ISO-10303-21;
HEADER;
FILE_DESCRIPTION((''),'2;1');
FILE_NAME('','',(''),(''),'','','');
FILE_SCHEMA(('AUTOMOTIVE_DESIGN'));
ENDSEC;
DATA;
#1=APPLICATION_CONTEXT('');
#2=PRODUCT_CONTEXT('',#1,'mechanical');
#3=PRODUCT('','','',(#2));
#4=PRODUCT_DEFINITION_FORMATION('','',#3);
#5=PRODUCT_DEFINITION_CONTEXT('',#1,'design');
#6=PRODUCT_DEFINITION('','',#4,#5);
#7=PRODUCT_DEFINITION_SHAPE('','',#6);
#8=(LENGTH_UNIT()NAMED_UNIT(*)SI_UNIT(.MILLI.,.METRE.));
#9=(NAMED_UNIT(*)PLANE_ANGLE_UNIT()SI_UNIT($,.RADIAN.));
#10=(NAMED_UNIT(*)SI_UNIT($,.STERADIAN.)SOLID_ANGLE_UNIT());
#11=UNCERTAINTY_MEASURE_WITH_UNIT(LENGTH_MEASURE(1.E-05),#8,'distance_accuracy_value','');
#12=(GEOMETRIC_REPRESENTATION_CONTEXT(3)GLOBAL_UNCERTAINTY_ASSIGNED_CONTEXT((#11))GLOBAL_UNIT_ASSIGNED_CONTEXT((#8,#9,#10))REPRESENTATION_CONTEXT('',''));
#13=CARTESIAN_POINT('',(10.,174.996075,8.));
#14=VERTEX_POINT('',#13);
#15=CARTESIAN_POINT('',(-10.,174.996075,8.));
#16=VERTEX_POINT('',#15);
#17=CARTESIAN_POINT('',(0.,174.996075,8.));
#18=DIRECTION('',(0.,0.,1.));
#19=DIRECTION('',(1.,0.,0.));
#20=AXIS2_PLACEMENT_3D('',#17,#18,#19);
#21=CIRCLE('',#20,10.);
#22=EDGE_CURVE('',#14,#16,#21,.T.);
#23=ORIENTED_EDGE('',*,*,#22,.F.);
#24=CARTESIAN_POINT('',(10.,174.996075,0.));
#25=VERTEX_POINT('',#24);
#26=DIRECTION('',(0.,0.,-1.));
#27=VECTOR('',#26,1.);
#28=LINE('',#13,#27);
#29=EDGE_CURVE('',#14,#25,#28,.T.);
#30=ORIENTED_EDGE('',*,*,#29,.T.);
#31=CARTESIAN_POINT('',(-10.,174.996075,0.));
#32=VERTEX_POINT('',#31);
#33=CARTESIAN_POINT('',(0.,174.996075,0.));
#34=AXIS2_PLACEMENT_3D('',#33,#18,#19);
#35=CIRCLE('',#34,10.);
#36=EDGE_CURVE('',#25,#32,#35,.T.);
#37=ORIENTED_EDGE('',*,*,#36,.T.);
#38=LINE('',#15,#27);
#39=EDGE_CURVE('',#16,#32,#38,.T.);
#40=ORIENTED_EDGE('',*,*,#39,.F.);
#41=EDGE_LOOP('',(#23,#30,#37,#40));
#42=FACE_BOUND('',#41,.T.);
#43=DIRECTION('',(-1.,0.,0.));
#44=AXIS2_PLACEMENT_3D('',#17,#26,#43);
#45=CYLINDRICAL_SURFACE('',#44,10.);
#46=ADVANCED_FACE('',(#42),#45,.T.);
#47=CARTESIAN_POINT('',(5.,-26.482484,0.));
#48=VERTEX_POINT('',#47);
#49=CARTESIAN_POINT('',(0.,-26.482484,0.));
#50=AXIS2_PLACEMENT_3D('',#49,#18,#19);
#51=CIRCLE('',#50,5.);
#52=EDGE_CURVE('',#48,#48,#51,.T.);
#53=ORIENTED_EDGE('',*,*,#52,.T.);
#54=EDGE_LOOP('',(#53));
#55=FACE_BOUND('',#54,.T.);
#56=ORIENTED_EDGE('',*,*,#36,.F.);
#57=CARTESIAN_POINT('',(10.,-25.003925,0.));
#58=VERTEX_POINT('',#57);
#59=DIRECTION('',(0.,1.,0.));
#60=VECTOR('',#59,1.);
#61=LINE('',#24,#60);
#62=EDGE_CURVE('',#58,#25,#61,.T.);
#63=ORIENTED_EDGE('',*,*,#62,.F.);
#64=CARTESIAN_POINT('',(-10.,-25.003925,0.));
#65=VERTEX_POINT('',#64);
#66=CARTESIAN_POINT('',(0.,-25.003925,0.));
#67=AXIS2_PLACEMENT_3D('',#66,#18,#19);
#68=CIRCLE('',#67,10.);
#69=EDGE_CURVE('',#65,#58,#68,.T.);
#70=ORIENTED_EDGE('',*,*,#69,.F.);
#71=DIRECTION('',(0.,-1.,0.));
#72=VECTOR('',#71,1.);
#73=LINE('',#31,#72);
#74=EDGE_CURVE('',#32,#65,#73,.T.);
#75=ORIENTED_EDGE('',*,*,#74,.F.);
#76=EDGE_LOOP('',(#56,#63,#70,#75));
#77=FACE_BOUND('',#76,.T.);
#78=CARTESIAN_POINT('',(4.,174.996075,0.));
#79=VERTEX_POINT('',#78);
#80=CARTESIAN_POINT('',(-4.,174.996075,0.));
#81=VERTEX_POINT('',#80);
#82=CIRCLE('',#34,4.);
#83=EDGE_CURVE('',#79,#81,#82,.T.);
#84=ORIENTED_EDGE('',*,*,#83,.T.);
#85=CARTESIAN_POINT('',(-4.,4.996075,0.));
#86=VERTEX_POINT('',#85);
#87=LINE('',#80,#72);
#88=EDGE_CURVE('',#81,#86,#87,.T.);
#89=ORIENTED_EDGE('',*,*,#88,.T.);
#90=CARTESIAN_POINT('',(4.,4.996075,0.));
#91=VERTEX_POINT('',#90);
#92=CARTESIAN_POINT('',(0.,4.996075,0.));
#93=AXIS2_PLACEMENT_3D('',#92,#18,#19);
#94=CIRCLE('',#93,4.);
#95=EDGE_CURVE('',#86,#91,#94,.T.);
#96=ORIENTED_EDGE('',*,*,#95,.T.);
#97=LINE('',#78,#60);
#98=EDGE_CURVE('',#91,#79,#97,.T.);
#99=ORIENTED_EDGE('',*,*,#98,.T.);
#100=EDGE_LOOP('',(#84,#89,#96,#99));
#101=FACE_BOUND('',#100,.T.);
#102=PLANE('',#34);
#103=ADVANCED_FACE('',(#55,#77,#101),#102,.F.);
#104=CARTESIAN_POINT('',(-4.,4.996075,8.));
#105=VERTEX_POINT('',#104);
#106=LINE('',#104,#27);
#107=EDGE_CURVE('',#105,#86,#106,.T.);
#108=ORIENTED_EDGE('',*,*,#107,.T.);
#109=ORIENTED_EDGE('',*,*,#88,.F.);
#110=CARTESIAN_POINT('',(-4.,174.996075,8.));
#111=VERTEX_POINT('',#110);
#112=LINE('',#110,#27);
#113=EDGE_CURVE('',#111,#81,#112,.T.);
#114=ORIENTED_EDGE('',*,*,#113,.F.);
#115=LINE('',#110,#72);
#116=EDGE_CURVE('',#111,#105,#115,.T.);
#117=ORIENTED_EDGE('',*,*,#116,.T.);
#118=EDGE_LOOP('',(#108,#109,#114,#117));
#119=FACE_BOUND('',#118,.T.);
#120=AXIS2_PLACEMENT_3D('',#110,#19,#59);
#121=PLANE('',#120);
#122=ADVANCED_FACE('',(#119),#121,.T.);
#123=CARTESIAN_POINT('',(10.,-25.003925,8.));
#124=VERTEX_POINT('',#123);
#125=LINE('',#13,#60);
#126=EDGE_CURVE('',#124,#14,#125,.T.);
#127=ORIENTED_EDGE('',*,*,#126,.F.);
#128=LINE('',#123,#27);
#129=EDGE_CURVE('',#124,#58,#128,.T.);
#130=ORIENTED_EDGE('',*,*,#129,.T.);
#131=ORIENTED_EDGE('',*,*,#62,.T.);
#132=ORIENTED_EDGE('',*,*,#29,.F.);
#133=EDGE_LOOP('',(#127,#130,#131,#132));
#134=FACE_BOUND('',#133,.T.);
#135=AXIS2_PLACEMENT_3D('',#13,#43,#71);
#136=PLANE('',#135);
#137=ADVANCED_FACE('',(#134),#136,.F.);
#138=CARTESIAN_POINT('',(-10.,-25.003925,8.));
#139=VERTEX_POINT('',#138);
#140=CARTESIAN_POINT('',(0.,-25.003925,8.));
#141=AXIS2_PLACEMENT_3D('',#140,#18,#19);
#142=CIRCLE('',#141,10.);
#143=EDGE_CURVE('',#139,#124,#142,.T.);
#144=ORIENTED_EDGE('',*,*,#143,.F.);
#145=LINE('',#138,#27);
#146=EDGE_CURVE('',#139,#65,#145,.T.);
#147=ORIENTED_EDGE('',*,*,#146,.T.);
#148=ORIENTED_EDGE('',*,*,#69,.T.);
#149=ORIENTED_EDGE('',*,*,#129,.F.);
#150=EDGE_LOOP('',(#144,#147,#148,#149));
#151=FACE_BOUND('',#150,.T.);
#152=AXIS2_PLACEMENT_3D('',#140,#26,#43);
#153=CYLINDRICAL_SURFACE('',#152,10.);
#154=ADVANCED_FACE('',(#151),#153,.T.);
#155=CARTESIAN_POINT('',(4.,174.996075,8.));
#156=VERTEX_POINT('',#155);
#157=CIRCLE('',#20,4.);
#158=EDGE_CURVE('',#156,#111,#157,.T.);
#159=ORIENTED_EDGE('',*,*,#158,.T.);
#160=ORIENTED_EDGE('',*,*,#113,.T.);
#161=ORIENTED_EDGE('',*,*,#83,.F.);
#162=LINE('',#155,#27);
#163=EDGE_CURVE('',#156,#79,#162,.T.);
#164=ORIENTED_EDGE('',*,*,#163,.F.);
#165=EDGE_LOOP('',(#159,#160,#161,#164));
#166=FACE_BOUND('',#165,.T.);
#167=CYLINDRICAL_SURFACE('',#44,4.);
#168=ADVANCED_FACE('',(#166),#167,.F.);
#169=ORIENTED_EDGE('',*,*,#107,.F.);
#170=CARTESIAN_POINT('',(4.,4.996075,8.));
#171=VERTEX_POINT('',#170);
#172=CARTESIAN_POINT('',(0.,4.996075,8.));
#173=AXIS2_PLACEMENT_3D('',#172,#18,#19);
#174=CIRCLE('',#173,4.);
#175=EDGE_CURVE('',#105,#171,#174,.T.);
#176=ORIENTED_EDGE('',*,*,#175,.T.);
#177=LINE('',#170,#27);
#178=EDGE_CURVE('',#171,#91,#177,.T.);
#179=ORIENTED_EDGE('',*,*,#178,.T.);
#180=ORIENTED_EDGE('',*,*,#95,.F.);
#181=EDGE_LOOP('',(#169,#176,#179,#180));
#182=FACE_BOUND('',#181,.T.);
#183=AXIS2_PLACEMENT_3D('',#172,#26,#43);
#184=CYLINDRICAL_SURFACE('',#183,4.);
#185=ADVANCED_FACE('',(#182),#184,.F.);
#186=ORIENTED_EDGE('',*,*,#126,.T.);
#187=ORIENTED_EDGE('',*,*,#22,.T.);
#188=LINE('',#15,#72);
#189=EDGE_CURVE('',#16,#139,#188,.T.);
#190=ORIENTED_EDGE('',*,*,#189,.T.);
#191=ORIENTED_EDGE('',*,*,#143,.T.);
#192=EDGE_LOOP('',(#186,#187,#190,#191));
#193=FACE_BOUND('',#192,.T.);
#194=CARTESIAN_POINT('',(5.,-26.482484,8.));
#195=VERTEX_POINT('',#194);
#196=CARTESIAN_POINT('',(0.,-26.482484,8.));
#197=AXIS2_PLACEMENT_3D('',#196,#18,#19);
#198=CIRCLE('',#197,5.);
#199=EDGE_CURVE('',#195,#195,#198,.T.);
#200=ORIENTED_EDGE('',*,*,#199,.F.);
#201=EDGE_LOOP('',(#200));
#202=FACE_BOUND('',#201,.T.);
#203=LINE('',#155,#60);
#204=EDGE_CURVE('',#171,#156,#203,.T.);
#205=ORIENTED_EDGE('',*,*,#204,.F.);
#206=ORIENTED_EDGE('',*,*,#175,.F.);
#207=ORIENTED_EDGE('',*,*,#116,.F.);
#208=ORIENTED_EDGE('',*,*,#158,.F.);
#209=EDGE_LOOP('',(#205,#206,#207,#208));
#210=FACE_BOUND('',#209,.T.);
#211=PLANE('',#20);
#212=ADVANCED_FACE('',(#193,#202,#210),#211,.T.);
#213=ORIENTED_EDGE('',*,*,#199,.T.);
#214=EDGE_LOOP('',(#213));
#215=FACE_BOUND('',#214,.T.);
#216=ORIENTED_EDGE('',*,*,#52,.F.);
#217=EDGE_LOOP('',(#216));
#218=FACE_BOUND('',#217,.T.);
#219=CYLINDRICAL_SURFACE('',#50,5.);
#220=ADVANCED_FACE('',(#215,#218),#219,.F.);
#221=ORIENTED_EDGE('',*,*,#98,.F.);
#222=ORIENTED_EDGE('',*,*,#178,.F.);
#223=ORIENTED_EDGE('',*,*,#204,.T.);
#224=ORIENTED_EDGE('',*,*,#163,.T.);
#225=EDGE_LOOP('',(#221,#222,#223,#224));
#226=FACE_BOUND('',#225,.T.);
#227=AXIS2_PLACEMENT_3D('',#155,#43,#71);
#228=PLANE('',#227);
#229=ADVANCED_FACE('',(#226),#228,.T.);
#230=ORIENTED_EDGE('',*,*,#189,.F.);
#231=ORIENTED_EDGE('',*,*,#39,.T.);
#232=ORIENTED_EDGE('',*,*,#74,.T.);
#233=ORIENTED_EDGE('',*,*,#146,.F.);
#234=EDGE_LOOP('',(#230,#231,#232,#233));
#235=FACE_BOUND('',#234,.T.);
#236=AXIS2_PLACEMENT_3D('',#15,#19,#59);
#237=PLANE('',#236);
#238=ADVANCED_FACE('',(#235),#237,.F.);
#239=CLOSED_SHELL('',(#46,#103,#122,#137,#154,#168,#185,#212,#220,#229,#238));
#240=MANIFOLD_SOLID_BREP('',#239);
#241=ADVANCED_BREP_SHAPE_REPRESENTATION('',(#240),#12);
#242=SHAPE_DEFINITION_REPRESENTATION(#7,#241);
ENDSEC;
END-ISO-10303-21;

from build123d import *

# Parameters (mm, degrees)
BOSS_EXTRUDE1_DEPTH = 8
SKETCH3_R           = 5
CUT_EXTRUDE1_DEPTH  = 8


with BuildPart() as part:
    # Sketch2 → Boss-Extrude1 (new body)
    with BuildSketch(Plane.XY):
        with BuildLine():
            Line((10, 174.996075103), (10, -25.003924897))
            ThreePointArc((10, -25.003924897), (0, -35.003924897), (-10, -25.003924897))
            Line((-10, -25.003924897), (-10, 174.996075103))
            ThreePointArc((-10, 174.996075103), (0, 184.996075103), (10, 174.996075103))
        make_face()
        with BuildLine():
            Line((4, 174.996075103), (4, 4.996075103))
            ThreePointArc((4, 4.996075103), (0, 0.996075103), (-4, 4.996075103))
            Line((-4, 4.996075103), (-4, 174.996075103))
            ThreePointArc((-4, 174.996075103), (0, 178.996075103), (4, 174.996075103))
        make_face(mode=Mode.SUBTRACT)
    extrude(amount=BOSS_EXTRUDE1_DEPTH)

    # Sketch3 → Cut-Extrude1 (cut)
    with BuildSketch(Plane.XY.offset(8)):
        with Locations((0, -26.482483783)):
            Circle(SKETCH3_R)
    extrude(amount=-CUT_EXTRUDE1_DEPTH, mode=Mode.SUBTRACT)


solid = part.part
